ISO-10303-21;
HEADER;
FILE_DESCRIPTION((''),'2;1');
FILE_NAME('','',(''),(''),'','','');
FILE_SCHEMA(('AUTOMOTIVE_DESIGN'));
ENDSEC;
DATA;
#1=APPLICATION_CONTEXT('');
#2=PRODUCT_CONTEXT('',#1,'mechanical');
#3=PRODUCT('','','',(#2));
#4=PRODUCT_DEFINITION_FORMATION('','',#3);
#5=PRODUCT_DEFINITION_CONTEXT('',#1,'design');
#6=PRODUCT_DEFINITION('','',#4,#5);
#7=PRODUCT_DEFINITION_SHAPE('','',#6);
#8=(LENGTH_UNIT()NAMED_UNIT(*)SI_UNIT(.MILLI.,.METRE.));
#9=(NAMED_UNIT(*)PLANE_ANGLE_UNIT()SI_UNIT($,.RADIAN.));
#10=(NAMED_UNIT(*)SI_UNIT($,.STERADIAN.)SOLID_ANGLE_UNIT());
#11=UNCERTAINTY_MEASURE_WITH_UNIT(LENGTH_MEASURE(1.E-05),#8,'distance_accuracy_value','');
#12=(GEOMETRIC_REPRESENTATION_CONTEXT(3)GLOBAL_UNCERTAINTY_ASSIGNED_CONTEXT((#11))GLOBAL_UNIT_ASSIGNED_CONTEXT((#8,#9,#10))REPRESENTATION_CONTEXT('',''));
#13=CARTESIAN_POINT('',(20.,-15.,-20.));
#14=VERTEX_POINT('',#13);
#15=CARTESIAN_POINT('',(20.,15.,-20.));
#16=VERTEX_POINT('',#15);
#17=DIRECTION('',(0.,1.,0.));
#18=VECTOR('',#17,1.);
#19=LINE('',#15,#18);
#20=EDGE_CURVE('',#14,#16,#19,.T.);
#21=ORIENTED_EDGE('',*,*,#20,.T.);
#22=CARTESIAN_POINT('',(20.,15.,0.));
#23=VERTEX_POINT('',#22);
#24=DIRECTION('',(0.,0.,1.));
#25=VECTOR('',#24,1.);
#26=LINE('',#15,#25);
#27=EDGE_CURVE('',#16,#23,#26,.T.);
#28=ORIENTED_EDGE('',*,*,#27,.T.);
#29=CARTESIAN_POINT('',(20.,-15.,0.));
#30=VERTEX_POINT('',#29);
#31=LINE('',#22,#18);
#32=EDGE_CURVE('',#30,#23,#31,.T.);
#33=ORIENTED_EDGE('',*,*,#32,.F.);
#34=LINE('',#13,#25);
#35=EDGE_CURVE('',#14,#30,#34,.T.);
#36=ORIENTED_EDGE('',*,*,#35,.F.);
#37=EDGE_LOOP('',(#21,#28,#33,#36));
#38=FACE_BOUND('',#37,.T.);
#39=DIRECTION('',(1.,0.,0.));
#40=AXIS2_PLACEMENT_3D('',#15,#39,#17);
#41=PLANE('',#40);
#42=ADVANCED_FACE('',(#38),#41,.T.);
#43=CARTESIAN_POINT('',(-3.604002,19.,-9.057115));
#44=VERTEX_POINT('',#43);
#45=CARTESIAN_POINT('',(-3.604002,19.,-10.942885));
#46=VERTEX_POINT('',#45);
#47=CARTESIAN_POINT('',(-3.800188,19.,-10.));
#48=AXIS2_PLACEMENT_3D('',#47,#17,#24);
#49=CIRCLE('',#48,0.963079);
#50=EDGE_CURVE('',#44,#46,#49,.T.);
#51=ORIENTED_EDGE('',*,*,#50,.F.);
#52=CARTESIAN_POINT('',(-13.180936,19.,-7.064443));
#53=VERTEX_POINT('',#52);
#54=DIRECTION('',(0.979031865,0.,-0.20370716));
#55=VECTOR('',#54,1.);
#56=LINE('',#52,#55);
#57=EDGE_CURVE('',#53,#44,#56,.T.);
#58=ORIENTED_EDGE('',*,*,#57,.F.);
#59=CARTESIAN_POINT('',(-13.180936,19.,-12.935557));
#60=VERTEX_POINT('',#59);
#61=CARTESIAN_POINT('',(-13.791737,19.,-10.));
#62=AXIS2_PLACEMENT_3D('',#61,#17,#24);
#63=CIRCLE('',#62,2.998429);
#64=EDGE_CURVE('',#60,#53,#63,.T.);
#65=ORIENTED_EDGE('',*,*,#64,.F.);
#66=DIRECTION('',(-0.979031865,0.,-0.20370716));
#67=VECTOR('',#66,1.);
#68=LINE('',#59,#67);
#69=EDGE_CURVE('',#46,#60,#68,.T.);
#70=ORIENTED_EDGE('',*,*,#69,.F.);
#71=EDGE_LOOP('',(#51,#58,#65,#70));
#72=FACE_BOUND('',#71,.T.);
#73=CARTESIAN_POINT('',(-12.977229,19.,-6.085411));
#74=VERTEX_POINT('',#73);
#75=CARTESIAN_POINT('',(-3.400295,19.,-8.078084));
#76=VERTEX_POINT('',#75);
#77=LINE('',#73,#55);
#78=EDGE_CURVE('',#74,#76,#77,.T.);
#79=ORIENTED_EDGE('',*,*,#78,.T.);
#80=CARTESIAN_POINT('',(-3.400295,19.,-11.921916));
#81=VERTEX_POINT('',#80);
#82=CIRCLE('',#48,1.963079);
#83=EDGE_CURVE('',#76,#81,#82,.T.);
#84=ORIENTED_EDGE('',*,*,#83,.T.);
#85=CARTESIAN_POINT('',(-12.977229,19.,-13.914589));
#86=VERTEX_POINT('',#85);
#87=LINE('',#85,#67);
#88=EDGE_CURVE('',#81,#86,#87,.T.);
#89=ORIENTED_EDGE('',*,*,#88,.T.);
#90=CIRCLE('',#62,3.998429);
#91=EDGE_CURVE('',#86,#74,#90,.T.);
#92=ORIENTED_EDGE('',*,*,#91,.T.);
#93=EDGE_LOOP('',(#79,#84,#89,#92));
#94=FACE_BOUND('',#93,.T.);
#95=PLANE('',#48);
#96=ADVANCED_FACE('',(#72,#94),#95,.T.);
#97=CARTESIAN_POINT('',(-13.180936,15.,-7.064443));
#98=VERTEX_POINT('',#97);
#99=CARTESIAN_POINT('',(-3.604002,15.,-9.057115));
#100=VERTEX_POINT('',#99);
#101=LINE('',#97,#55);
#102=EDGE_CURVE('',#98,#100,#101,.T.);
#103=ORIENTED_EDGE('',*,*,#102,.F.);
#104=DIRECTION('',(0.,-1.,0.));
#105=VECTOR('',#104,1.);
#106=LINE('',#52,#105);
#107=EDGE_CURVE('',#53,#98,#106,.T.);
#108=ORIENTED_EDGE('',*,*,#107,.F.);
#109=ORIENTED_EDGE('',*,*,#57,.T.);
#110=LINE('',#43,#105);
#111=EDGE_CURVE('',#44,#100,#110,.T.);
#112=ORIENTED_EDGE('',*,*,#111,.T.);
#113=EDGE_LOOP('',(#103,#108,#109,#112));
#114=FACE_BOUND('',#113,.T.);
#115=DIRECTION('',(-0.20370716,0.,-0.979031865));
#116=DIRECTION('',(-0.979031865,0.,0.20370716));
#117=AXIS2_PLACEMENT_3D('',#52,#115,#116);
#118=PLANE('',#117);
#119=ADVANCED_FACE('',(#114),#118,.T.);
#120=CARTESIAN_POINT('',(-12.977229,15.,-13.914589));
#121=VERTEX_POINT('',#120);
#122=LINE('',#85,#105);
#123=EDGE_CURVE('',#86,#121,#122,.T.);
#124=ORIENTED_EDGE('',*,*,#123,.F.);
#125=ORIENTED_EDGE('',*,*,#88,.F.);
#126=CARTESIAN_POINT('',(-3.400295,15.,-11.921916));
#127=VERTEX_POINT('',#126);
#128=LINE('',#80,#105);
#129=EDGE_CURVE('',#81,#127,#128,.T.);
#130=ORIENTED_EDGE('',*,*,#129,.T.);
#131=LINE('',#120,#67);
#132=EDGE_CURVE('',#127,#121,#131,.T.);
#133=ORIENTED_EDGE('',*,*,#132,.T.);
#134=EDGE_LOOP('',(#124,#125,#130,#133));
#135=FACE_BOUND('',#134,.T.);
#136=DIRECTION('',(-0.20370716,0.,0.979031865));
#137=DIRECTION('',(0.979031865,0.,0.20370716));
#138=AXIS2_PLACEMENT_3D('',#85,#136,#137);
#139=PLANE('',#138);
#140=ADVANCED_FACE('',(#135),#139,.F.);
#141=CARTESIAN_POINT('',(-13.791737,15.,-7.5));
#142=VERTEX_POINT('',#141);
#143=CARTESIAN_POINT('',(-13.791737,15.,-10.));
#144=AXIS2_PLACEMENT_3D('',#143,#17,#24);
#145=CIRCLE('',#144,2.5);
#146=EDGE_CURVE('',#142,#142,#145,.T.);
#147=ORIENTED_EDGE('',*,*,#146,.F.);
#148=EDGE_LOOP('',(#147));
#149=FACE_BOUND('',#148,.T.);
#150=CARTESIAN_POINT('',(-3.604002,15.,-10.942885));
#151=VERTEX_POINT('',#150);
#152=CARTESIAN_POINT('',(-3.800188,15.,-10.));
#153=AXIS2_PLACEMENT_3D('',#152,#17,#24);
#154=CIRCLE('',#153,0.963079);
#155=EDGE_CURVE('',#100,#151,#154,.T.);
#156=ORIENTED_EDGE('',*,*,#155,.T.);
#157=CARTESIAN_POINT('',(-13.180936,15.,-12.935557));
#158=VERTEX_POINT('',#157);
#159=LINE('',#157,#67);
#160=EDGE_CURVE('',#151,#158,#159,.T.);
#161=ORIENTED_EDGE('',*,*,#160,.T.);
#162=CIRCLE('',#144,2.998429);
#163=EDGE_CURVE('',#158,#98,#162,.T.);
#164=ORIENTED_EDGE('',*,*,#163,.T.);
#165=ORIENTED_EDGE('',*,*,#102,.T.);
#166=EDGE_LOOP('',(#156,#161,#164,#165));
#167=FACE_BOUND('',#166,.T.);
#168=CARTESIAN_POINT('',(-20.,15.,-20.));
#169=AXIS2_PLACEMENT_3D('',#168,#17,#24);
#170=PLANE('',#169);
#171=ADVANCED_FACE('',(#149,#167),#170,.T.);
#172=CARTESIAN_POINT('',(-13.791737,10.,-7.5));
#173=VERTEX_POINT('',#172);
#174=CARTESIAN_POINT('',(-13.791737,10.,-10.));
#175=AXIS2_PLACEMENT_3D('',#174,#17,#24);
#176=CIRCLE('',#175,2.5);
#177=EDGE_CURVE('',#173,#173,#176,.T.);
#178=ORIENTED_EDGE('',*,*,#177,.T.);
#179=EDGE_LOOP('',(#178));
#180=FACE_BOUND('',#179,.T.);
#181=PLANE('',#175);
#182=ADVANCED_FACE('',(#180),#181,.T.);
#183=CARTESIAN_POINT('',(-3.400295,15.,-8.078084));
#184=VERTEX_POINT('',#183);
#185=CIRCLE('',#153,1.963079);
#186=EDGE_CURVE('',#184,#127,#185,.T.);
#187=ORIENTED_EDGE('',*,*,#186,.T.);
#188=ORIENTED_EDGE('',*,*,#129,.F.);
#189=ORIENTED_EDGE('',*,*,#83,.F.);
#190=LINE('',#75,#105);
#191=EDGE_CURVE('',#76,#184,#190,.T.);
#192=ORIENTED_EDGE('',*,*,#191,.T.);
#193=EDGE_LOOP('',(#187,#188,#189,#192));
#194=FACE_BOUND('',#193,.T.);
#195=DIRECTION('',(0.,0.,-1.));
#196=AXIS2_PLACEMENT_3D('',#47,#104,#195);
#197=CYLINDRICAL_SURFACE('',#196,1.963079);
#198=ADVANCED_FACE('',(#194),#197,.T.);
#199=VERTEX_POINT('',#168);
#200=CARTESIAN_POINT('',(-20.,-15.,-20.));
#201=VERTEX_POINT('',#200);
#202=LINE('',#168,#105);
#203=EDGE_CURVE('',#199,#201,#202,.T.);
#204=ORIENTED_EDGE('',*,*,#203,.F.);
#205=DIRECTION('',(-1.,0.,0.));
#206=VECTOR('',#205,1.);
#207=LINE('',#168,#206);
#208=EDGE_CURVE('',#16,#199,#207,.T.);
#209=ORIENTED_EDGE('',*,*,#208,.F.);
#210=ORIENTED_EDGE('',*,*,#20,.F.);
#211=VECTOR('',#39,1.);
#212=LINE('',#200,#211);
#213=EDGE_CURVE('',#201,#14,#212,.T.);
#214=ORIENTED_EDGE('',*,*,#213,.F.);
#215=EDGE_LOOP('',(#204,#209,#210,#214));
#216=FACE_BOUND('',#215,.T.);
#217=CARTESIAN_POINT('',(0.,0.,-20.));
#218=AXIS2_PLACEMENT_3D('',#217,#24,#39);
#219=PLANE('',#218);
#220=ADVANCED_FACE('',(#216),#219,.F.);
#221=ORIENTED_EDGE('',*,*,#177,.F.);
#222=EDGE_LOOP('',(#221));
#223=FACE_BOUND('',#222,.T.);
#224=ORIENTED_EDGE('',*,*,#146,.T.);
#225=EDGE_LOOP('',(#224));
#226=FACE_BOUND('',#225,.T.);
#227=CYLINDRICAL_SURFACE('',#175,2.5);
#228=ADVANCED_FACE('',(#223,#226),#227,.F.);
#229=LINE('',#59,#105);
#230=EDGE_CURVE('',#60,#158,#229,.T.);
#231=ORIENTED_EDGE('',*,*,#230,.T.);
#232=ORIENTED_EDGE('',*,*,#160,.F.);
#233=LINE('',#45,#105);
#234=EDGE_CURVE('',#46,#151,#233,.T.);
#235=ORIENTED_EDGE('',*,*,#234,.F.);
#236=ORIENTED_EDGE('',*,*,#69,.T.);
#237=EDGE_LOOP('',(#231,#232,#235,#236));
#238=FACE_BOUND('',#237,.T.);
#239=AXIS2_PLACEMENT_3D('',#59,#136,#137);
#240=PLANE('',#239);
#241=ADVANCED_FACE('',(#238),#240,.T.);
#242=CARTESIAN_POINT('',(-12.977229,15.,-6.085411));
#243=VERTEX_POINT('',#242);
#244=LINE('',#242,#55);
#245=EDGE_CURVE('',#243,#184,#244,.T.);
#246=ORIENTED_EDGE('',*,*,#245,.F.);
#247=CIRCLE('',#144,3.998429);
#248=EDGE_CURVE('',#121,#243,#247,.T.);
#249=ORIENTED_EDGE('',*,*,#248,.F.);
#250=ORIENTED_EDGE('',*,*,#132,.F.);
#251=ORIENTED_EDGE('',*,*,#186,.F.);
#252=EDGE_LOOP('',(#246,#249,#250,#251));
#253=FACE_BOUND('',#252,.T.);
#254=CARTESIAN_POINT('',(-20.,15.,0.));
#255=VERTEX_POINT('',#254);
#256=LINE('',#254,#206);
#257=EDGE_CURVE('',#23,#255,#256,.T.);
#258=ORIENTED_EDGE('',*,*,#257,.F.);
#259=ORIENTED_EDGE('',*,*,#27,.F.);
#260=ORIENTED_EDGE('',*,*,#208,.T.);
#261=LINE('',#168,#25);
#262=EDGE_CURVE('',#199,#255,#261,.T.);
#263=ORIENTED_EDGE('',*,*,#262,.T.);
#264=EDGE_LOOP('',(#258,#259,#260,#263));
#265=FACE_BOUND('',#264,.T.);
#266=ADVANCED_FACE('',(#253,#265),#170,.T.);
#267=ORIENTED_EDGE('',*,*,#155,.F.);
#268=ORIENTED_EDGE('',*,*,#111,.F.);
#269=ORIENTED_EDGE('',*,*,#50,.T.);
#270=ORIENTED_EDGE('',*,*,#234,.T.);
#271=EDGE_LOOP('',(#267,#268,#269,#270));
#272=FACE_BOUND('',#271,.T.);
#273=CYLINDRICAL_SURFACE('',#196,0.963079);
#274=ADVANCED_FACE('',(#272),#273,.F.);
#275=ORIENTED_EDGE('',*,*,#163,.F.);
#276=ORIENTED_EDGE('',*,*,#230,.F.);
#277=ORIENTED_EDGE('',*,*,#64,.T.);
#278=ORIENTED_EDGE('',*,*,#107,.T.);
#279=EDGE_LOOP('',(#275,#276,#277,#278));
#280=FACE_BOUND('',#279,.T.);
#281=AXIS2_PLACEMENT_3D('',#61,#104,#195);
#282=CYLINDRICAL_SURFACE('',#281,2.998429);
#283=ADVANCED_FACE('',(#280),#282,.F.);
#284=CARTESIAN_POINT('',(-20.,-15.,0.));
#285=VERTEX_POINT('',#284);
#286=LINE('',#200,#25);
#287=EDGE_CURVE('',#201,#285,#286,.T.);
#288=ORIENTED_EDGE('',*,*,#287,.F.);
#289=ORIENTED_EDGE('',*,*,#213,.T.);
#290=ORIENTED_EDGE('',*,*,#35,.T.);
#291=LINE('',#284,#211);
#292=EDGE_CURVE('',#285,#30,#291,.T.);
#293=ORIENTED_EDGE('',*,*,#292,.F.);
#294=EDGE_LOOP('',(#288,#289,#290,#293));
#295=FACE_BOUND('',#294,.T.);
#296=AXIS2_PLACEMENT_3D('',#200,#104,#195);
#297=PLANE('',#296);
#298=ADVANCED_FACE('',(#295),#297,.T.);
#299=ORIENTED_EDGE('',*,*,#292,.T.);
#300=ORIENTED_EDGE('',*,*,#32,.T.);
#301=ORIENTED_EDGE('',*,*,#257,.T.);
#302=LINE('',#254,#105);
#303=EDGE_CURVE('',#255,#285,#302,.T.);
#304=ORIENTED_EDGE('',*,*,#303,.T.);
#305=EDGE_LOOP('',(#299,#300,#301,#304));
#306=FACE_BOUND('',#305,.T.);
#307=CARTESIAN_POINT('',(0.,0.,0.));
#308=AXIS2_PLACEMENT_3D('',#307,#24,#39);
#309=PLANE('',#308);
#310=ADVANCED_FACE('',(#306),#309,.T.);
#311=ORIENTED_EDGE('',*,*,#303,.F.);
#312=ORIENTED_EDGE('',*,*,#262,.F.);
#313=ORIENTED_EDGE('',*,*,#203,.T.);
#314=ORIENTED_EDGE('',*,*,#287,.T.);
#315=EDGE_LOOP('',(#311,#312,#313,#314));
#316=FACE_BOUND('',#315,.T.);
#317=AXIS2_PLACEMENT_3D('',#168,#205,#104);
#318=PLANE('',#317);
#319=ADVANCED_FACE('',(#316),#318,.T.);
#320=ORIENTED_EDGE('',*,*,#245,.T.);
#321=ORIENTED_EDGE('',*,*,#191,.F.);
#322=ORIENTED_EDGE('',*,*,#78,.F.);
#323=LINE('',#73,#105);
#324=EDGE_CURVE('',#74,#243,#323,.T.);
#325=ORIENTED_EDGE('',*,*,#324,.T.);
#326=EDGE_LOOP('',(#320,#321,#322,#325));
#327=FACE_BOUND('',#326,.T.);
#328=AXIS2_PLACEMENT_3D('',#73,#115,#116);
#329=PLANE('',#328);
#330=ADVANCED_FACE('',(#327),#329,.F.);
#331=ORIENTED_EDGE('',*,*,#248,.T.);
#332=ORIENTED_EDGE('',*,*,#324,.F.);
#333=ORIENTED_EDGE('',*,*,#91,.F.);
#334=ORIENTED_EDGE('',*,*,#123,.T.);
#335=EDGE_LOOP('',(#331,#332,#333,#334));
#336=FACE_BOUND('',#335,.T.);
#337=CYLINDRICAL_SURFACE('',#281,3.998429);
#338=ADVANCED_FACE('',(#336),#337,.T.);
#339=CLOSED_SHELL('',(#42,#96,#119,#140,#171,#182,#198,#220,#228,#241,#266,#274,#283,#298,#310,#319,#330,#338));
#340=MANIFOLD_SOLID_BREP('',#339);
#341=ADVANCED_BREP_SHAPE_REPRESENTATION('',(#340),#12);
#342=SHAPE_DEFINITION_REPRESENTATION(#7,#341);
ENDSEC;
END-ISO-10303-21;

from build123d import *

# Parameters (mm, degrees)
SKETCH1_W           = 40
SKETCH1_H           = 30
BOSS_EXTRUDE1_DEPTH = 20
BOSS_EXTRUDE2_DEPTH = 4
SKETCH4_R           = 2.5
CUT_EXTRUDE1_DEPTH  = 5


with BuildPart() as part:
    # Sketch1 → Boss-Extrude1 (new body)
    with BuildSketch(Plane.XY):
        Rectangle(SKETCH1_W, SKETCH1_H)
    extrude(amount=-BOSS_EXTRUDE1_DEPTH)

    # Sketch3 → Boss-Extrude2 (add)
    with BuildSketch(Plane(origin=(0, 15, 0), x_dir=(1, 0, 0), z_dir=(0, 1, 0))):
        with BuildLine():
            Line((-12.97722879, 13.914589169), (-3.400294542, 11.921916457))
            ThreePointArc((-3.400294542, 11.921916457), (-1.837109147, 10), (-3.400294542, 8.078083543))
            Line((-3.400294542, 8.078083543), (-12.97722879, 6.085410831))
            ThreePointArc((-12.97722879, 6.085410831), (-17.790166122, 10), (-12.97722879, 13.914589169))
        make_face()
        with BuildLine():
            Line((-13.18093595, 12.935557304), (-3.604001703, 10.942884592))
            ThreePointArc((-3.604001703, 10.942884592), (-2.837109147, 10), (-3.604001703, 9.057115408))
            Line((-3.604001703, 9.057115408), (-13.18093595, 7.064442696))
            ThreePointArc((-13.18093595, 7.064442696), (-16.790166122, 10), (-13.18093595, 12.935557304))
        make_face(mode=Mode.SUBTRACT)
    extrude(amount=BOSS_EXTRUDE2_DEPTH)

    # Sketch4 → Cut-Extrude1 (cut)
    with BuildSketch(Plane(origin=(0, 15, 0), x_dir=(1, 0, 0), z_dir=(0, 1, 0))):
        with Locations(Location((-13.791737359, 10, 0), (0, 0, 270))):
            Circle(SKETCH4_R)
    extrude(amount=-CUT_EXTRUDE1_DEPTH, mode=Mode.SUBTRACT)


solid = part.part
